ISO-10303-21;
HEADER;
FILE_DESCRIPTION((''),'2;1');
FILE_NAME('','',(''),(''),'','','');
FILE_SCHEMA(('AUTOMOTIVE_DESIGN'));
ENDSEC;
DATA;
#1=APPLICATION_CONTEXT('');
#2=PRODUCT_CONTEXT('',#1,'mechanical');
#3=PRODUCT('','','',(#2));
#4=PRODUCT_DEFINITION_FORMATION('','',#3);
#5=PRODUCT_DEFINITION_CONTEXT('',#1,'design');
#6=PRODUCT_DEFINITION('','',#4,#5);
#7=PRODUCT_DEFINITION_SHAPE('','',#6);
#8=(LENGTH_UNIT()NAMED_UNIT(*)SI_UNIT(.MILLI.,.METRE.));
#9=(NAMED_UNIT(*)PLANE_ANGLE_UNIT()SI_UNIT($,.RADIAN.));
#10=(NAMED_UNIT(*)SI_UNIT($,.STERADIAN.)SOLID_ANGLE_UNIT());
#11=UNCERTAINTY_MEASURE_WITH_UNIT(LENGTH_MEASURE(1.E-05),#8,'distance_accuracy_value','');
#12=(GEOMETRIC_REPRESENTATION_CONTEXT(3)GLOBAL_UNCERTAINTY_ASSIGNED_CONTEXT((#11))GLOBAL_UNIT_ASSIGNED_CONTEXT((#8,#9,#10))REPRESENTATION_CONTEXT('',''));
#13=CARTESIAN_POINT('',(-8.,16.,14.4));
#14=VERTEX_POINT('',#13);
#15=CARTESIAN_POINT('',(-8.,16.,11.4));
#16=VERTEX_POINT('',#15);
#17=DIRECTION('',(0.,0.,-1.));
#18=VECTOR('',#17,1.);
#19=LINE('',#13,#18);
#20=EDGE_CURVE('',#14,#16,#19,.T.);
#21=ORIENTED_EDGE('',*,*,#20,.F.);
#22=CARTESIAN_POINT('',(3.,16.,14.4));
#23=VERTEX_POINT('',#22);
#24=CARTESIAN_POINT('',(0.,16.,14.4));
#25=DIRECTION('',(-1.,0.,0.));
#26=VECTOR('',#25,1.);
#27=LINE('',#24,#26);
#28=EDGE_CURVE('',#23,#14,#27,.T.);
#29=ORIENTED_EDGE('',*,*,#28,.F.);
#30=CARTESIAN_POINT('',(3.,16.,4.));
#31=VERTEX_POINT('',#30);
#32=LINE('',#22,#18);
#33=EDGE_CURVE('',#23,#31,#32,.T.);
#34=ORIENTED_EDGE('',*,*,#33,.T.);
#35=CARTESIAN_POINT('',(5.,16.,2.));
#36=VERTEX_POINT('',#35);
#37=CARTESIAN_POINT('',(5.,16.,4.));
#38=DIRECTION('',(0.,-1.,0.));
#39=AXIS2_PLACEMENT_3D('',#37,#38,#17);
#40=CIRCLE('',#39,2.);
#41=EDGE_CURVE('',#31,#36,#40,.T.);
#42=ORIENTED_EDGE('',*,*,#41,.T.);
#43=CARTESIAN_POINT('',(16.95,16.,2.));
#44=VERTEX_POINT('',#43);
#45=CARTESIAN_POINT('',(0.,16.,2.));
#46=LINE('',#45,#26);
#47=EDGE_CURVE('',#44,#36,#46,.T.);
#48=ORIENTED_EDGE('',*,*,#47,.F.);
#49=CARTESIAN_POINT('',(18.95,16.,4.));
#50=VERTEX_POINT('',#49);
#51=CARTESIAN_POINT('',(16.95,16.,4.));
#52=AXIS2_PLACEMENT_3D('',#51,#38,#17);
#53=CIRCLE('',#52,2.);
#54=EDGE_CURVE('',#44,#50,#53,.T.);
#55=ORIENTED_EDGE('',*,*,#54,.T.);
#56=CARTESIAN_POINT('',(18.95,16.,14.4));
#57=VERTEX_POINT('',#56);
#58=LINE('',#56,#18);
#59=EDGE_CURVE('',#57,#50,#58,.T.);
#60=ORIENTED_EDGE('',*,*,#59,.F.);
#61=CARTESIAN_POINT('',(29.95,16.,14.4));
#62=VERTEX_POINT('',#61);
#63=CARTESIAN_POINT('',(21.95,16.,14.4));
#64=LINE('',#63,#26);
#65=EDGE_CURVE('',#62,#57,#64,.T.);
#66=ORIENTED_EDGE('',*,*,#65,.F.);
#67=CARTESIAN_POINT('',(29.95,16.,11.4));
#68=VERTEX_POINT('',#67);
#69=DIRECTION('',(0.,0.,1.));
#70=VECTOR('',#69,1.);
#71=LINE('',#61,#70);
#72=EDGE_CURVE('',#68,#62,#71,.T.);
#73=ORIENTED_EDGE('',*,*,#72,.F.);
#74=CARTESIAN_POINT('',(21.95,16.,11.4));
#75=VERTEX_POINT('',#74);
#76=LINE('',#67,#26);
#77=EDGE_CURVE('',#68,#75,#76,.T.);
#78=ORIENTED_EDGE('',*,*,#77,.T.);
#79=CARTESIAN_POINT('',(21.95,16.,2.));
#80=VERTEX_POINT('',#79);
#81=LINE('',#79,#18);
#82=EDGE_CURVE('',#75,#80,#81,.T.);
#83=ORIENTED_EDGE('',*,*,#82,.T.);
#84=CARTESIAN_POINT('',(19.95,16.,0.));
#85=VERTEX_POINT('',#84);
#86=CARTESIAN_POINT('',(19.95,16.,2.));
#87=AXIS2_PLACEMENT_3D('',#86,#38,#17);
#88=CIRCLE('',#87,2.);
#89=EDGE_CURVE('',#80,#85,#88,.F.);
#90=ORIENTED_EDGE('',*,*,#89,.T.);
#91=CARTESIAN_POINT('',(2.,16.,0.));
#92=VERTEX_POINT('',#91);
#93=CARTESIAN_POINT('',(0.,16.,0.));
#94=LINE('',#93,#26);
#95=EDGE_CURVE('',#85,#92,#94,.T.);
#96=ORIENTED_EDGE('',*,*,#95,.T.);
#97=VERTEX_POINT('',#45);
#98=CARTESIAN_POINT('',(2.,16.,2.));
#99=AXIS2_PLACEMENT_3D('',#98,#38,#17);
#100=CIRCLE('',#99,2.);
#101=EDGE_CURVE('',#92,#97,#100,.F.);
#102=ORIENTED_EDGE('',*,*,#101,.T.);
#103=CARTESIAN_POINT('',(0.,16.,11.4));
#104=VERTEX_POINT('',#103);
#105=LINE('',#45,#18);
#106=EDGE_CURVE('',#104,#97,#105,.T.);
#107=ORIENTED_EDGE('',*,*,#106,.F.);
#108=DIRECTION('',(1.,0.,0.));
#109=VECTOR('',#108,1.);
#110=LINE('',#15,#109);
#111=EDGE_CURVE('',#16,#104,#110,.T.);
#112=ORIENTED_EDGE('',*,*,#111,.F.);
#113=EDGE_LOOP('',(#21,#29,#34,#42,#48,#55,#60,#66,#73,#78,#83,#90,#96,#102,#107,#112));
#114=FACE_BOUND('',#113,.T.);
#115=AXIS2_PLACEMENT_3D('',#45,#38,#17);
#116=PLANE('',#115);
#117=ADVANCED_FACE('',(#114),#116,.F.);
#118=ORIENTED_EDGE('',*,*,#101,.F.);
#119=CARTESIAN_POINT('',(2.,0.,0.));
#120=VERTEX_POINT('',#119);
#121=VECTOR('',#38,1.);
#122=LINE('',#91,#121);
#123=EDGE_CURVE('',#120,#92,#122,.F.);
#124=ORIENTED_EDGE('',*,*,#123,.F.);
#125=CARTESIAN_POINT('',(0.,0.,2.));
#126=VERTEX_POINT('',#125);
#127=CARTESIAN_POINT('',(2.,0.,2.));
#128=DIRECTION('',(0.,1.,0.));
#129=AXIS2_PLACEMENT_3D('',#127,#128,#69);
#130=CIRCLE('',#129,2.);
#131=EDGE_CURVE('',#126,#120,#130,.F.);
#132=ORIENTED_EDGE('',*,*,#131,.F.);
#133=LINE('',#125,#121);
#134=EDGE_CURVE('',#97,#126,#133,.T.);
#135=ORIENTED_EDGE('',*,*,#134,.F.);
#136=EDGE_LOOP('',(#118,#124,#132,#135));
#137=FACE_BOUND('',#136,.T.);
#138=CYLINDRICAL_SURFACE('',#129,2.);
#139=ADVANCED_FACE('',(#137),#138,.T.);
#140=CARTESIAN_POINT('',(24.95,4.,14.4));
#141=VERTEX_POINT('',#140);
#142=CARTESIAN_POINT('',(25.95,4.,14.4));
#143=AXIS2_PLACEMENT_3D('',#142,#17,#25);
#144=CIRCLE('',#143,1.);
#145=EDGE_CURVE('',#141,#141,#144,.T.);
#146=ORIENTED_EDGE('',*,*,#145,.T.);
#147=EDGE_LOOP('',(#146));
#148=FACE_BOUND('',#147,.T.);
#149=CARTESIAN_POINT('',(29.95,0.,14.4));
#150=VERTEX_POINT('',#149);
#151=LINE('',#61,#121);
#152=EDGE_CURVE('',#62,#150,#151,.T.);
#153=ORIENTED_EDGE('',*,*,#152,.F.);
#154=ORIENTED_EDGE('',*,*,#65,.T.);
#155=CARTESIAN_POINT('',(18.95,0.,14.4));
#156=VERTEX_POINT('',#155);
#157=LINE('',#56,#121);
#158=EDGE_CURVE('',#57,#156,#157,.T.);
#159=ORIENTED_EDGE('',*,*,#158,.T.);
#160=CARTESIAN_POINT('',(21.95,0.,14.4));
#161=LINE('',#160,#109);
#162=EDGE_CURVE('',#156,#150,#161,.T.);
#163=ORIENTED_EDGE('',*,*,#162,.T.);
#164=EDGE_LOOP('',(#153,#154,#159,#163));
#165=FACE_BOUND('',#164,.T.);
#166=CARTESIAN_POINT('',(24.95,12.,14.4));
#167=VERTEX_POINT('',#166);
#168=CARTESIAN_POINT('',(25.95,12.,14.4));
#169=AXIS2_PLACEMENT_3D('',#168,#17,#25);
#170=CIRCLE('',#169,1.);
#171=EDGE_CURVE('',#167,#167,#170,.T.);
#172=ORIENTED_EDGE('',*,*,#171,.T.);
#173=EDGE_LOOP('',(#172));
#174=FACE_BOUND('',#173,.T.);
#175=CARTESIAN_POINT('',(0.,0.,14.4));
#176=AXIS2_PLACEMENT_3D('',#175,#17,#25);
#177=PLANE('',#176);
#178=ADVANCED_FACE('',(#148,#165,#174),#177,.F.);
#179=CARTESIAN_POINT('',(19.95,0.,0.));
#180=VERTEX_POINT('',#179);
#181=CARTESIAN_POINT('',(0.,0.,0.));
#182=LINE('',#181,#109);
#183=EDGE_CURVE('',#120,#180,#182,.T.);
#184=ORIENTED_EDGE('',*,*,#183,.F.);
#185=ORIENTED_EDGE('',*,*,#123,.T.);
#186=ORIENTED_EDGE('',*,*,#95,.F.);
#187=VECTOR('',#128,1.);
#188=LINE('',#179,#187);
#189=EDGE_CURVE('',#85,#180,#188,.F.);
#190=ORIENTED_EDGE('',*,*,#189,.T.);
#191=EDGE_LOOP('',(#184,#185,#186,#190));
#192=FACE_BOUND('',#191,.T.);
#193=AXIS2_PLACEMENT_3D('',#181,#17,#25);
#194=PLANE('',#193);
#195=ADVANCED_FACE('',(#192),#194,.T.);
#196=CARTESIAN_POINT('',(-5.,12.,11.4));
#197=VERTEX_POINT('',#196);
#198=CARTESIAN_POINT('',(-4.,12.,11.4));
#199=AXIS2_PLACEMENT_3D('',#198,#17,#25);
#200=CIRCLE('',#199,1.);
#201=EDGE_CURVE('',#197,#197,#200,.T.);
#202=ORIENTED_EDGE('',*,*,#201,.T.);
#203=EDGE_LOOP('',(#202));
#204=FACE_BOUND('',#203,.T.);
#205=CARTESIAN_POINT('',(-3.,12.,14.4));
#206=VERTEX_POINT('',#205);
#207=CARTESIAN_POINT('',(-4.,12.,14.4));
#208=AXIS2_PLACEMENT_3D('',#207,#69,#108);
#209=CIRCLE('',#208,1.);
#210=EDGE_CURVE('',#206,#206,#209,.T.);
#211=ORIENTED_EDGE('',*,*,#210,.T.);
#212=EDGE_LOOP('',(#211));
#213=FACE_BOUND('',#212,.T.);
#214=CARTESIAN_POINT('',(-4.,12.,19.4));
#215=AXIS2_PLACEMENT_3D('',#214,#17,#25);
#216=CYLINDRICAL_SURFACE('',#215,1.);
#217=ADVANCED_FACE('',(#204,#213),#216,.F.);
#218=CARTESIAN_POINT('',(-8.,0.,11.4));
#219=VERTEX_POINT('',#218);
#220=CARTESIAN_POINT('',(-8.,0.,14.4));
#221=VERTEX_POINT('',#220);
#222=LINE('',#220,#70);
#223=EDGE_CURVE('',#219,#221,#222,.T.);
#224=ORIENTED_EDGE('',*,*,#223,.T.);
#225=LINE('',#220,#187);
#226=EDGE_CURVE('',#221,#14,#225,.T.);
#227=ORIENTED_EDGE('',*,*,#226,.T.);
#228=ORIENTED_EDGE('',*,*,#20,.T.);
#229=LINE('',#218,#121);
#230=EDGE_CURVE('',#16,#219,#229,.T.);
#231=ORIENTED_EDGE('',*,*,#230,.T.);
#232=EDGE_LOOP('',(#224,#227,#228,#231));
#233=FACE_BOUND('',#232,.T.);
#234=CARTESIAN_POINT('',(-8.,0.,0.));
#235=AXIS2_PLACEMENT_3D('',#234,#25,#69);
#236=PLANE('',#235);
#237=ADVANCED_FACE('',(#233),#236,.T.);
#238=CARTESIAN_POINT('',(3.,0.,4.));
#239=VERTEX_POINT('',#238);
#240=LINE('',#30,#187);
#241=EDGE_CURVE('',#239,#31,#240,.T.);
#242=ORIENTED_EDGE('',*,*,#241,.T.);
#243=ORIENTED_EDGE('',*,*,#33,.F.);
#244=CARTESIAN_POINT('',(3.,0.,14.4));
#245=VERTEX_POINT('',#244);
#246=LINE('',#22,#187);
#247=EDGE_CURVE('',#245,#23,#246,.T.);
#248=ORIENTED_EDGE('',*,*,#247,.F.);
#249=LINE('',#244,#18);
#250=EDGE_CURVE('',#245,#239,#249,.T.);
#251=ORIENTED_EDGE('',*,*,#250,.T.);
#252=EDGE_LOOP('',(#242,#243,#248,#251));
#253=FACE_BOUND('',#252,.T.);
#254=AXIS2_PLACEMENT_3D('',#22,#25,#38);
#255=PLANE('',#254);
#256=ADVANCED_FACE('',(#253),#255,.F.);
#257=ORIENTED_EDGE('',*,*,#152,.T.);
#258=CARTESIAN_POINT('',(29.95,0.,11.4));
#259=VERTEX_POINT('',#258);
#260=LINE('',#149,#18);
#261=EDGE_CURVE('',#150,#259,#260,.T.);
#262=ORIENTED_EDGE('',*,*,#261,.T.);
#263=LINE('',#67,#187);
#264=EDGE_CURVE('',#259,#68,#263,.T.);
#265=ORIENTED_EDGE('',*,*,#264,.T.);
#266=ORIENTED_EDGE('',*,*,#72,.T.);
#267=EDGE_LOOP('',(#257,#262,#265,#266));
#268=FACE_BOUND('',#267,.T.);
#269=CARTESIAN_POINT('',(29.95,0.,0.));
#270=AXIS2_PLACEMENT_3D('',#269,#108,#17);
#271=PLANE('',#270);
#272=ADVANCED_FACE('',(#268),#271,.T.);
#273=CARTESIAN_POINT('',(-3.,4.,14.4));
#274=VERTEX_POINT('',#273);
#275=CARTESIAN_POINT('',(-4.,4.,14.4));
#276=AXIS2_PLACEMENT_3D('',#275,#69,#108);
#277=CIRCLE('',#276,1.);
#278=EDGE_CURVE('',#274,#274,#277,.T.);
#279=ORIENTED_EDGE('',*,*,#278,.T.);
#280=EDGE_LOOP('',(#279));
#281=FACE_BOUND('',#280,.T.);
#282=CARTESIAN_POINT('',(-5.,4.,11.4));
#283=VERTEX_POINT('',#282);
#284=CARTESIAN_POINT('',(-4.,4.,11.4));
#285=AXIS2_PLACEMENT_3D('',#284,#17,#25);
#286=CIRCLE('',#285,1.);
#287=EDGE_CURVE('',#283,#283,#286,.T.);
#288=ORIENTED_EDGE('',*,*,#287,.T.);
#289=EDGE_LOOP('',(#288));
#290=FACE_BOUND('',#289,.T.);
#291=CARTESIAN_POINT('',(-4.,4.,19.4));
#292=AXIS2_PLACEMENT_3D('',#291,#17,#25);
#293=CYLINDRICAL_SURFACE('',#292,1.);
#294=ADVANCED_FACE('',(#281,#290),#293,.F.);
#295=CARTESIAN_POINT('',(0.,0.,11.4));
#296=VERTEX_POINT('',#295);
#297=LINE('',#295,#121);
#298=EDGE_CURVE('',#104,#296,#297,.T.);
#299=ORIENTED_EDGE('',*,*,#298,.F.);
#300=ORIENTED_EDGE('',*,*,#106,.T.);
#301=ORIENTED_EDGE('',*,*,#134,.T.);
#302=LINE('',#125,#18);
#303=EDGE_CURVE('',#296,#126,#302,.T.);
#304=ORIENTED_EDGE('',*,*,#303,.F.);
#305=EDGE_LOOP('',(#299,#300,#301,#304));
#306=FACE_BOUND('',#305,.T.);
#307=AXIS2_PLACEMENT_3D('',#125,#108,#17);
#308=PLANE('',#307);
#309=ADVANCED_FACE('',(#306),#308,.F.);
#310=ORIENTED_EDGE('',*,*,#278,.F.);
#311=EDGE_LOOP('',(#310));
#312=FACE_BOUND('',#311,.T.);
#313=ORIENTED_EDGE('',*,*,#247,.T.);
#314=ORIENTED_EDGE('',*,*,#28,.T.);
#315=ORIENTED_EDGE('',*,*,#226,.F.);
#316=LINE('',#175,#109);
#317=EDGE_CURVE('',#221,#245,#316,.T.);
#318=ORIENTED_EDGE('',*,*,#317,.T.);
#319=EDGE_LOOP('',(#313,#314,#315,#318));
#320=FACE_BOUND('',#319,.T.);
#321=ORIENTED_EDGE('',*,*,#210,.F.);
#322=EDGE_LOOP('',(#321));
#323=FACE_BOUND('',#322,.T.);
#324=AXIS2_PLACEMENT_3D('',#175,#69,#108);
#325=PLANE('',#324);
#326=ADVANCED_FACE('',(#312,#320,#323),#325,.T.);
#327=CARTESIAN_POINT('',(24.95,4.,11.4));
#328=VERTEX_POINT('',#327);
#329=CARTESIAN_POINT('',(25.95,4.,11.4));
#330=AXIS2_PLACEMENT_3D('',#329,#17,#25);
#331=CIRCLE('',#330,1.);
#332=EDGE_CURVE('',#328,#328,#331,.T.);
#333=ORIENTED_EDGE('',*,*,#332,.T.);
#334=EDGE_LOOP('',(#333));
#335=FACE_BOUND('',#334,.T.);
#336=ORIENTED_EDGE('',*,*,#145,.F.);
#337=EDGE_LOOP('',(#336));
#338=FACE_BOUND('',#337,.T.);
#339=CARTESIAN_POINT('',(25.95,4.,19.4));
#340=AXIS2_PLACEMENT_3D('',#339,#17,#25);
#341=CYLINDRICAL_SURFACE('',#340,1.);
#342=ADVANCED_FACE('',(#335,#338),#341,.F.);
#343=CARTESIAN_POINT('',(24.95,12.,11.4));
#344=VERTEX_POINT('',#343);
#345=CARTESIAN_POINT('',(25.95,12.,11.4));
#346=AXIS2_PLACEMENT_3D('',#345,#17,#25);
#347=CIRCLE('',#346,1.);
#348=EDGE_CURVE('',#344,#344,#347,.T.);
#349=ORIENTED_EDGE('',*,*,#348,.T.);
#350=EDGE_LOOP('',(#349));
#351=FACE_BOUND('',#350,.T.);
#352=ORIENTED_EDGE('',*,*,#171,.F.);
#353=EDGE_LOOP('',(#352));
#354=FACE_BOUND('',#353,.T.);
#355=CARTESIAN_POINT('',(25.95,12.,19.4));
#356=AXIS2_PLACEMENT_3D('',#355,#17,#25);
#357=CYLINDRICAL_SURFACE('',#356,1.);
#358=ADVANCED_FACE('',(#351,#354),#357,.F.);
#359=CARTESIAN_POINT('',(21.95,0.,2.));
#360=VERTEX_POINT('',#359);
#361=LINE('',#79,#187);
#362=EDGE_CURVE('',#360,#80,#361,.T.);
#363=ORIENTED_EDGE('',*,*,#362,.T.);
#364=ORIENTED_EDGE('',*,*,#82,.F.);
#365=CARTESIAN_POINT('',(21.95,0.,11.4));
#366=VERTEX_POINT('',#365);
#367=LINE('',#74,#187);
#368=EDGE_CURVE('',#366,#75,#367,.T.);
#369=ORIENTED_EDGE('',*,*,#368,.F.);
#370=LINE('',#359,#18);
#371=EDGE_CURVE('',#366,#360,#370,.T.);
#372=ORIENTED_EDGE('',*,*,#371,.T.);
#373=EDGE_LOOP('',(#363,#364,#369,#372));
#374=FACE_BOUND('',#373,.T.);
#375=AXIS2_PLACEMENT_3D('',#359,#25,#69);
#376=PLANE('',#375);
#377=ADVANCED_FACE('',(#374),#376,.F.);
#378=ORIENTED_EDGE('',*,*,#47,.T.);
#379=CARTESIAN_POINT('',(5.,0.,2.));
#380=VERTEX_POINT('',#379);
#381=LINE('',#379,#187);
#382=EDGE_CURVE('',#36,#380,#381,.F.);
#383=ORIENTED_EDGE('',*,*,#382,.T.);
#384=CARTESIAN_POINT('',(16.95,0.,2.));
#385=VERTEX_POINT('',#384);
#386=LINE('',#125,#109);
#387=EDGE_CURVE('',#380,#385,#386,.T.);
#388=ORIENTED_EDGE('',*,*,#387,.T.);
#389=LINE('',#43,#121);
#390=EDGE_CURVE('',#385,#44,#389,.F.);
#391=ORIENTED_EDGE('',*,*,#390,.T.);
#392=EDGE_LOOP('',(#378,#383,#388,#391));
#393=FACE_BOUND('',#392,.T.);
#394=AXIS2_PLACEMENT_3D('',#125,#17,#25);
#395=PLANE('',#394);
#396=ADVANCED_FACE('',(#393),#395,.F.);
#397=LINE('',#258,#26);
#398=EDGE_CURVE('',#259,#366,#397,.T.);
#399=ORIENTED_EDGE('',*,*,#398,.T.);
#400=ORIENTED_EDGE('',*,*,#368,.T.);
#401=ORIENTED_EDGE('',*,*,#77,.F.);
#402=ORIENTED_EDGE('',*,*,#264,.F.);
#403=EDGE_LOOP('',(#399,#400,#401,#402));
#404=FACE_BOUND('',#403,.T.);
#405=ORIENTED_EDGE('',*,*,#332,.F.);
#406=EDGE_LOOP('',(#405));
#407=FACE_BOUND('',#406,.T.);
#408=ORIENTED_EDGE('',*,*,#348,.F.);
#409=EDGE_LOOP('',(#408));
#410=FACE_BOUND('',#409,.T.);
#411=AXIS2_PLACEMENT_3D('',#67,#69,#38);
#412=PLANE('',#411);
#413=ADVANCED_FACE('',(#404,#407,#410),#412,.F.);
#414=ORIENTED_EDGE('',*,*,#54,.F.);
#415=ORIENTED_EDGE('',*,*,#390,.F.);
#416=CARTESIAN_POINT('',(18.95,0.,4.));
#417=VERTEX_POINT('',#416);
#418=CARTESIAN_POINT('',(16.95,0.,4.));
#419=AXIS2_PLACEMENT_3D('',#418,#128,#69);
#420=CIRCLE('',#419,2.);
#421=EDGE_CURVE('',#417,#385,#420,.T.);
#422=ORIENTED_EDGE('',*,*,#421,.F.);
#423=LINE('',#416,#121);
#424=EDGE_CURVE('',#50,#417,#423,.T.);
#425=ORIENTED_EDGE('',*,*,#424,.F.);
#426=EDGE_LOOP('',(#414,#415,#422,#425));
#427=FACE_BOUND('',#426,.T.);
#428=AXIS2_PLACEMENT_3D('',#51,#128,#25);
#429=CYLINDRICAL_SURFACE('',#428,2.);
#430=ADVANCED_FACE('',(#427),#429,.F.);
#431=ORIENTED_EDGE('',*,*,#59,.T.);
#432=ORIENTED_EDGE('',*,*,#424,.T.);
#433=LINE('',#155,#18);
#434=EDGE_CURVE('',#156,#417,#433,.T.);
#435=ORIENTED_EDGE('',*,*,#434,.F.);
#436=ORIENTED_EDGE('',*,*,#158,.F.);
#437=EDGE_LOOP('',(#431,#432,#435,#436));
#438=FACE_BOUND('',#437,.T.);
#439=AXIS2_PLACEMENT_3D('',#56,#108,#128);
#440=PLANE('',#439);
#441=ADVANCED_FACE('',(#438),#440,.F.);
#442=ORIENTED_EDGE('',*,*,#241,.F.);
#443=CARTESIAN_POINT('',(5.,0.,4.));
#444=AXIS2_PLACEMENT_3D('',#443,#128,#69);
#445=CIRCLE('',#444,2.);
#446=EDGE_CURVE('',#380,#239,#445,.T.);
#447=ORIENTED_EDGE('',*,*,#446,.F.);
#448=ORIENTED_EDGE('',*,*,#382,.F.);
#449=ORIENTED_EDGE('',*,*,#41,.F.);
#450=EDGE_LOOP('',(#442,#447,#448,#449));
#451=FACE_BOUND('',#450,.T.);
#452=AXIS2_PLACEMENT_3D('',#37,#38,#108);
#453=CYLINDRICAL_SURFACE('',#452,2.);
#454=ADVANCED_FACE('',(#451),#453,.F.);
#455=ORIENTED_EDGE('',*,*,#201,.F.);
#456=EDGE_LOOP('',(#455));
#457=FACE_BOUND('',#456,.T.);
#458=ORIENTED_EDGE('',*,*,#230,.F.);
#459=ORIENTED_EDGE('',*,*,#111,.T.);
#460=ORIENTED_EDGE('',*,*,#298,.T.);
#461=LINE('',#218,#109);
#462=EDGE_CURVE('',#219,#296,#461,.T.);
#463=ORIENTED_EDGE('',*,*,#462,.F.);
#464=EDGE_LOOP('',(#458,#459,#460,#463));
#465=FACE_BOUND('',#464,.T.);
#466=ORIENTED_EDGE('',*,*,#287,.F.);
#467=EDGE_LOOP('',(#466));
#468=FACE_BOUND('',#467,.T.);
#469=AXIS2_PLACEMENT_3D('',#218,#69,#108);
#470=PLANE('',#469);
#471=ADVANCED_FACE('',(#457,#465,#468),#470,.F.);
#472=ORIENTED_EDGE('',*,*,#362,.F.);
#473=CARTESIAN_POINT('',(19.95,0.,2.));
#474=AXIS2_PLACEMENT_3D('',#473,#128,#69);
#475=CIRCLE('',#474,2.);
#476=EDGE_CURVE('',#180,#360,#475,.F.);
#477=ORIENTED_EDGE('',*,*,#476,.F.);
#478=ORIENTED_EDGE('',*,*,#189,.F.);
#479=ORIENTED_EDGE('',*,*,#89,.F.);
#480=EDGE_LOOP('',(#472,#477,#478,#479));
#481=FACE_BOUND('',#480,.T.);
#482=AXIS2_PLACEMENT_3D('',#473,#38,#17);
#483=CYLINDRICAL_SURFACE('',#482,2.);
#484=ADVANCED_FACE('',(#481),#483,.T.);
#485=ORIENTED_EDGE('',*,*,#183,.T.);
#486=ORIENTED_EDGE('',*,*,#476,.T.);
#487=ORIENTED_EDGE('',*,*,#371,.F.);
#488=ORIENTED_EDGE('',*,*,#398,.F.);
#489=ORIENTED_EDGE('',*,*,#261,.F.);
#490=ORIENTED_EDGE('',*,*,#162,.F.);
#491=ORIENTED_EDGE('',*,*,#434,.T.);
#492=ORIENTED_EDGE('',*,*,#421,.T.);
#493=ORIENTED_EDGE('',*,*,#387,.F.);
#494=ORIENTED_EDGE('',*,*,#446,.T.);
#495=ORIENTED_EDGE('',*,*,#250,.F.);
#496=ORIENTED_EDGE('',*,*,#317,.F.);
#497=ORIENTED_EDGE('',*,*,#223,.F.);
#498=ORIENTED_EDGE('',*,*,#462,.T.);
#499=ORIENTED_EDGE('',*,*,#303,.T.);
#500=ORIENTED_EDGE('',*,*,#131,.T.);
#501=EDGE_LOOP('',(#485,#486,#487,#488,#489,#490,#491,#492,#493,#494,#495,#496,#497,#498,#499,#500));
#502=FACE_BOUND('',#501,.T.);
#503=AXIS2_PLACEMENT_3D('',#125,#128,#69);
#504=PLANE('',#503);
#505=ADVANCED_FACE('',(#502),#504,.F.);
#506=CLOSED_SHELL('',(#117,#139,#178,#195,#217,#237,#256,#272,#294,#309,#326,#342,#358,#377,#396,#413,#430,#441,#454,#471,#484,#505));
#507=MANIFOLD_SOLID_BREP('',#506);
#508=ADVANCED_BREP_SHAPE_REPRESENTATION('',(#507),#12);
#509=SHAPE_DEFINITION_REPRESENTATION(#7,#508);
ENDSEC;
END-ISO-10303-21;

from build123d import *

# Parameters (mm, degrees)
SKETCH1_W           = 21.95
SKETCH1_H           = 16
BOSS_EXTRUDE1_DEPTH = 2
SKETCH2_W           = 3
SKETCH2_H           = 16
BOSS_EXTRUDE2_DEPTH = 12.4
SKETCH3_W           = 3
SKETCH3_H           = 16
BOSS_EXTRUDE3_DEPTH = 8
SKETCH4_W           = 3
SKETCH4_H           = 16
BOSS_EXTRUDE4_DEPTH = 8
SKETCH5_R           = 1
CUT_EXTRUDE1_DEPTH  = 8
FILLET1_R           = 2
FILLET2_R           = 2


with BuildPart() as part:
    # Sketch1 → Boss-Extrude1 (new body)
    with BuildSketch(Plane.XY):
        with Locations((10.975, 8)):
            Rectangle(SKETCH1_W, SKETCH1_H)
    extrude(amount=BOSS_EXTRUDE1_DEPTH)

    # Sketch2 → Boss-Extrude2 (add)
    with BuildSketch(Plane.XY.offset(2)):
        with Locations((1.5, 8)):
            Rectangle(SKETCH2_W, SKETCH2_H)
        with Locations((20.45, 8)):
            Rectangle(SKETCH2_W, SKETCH2_H)
    extrude(amount=BOSS_EXTRUDE2_DEPTH)

    # Sketch3 → Boss-Extrude3 (add)
    with BuildSketch(Plane(origin=(21.95, 0, 0), x_dir=(0, 0, -1), z_dir=(1, 0, 0))):
        with Locations((-12.9, 8)):
            Rectangle(SKETCH3_W, SKETCH3_H)
    extrude(amount=BOSS_EXTRUDE3_DEPTH)

    # Sketch4 → Boss-Extrude4 (add)
    with BuildSketch(Plane.ZY):
        with Locations((12.9, 8)):
            Rectangle(SKETCH4_W, SKETCH4_H)
    extrude(amount=BOSS_EXTRUDE4_DEPTH)

    # Sketch5 → Cut-Extrude1 (cut)
    with BuildSketch(Plane(origin=(0, 0, 11.4), x_dir=(-1, 0, 0), z_dir=(0, 0, -1))):
        with Locations((4, 4)):
            Circle(SKETCH5_R)
        with Locations((-25.95, 4)):
            Circle(SKETCH5_R)
        with Locations((4, 12)):
            Circle(SKETCH5_R)
        with Locations((-25.95, 12)):
            Circle(SKETCH5_R)
    extrude(amount=-CUT_EXTRUDE1_DEPTH, mode=Mode.SUBTRACT)

    # Fillet1
    fillet1_edges = [part.edges().sort_by_distance(p)[0] for p in [
        (3, 8, 2),
        (18.95, 8, 2),
    ]]
    fillet(fillet1_edges, radius=FILLET1_R)

    # Fillet2
    fillet2_edges = [part.edges().sort_by_distance(p)[0] for p in [
        (21.95, 8, 0),
        (0, 8, 0),
    ]]
    fillet(fillet2_edges, radius=FILLET2_R)


solid = part.part
